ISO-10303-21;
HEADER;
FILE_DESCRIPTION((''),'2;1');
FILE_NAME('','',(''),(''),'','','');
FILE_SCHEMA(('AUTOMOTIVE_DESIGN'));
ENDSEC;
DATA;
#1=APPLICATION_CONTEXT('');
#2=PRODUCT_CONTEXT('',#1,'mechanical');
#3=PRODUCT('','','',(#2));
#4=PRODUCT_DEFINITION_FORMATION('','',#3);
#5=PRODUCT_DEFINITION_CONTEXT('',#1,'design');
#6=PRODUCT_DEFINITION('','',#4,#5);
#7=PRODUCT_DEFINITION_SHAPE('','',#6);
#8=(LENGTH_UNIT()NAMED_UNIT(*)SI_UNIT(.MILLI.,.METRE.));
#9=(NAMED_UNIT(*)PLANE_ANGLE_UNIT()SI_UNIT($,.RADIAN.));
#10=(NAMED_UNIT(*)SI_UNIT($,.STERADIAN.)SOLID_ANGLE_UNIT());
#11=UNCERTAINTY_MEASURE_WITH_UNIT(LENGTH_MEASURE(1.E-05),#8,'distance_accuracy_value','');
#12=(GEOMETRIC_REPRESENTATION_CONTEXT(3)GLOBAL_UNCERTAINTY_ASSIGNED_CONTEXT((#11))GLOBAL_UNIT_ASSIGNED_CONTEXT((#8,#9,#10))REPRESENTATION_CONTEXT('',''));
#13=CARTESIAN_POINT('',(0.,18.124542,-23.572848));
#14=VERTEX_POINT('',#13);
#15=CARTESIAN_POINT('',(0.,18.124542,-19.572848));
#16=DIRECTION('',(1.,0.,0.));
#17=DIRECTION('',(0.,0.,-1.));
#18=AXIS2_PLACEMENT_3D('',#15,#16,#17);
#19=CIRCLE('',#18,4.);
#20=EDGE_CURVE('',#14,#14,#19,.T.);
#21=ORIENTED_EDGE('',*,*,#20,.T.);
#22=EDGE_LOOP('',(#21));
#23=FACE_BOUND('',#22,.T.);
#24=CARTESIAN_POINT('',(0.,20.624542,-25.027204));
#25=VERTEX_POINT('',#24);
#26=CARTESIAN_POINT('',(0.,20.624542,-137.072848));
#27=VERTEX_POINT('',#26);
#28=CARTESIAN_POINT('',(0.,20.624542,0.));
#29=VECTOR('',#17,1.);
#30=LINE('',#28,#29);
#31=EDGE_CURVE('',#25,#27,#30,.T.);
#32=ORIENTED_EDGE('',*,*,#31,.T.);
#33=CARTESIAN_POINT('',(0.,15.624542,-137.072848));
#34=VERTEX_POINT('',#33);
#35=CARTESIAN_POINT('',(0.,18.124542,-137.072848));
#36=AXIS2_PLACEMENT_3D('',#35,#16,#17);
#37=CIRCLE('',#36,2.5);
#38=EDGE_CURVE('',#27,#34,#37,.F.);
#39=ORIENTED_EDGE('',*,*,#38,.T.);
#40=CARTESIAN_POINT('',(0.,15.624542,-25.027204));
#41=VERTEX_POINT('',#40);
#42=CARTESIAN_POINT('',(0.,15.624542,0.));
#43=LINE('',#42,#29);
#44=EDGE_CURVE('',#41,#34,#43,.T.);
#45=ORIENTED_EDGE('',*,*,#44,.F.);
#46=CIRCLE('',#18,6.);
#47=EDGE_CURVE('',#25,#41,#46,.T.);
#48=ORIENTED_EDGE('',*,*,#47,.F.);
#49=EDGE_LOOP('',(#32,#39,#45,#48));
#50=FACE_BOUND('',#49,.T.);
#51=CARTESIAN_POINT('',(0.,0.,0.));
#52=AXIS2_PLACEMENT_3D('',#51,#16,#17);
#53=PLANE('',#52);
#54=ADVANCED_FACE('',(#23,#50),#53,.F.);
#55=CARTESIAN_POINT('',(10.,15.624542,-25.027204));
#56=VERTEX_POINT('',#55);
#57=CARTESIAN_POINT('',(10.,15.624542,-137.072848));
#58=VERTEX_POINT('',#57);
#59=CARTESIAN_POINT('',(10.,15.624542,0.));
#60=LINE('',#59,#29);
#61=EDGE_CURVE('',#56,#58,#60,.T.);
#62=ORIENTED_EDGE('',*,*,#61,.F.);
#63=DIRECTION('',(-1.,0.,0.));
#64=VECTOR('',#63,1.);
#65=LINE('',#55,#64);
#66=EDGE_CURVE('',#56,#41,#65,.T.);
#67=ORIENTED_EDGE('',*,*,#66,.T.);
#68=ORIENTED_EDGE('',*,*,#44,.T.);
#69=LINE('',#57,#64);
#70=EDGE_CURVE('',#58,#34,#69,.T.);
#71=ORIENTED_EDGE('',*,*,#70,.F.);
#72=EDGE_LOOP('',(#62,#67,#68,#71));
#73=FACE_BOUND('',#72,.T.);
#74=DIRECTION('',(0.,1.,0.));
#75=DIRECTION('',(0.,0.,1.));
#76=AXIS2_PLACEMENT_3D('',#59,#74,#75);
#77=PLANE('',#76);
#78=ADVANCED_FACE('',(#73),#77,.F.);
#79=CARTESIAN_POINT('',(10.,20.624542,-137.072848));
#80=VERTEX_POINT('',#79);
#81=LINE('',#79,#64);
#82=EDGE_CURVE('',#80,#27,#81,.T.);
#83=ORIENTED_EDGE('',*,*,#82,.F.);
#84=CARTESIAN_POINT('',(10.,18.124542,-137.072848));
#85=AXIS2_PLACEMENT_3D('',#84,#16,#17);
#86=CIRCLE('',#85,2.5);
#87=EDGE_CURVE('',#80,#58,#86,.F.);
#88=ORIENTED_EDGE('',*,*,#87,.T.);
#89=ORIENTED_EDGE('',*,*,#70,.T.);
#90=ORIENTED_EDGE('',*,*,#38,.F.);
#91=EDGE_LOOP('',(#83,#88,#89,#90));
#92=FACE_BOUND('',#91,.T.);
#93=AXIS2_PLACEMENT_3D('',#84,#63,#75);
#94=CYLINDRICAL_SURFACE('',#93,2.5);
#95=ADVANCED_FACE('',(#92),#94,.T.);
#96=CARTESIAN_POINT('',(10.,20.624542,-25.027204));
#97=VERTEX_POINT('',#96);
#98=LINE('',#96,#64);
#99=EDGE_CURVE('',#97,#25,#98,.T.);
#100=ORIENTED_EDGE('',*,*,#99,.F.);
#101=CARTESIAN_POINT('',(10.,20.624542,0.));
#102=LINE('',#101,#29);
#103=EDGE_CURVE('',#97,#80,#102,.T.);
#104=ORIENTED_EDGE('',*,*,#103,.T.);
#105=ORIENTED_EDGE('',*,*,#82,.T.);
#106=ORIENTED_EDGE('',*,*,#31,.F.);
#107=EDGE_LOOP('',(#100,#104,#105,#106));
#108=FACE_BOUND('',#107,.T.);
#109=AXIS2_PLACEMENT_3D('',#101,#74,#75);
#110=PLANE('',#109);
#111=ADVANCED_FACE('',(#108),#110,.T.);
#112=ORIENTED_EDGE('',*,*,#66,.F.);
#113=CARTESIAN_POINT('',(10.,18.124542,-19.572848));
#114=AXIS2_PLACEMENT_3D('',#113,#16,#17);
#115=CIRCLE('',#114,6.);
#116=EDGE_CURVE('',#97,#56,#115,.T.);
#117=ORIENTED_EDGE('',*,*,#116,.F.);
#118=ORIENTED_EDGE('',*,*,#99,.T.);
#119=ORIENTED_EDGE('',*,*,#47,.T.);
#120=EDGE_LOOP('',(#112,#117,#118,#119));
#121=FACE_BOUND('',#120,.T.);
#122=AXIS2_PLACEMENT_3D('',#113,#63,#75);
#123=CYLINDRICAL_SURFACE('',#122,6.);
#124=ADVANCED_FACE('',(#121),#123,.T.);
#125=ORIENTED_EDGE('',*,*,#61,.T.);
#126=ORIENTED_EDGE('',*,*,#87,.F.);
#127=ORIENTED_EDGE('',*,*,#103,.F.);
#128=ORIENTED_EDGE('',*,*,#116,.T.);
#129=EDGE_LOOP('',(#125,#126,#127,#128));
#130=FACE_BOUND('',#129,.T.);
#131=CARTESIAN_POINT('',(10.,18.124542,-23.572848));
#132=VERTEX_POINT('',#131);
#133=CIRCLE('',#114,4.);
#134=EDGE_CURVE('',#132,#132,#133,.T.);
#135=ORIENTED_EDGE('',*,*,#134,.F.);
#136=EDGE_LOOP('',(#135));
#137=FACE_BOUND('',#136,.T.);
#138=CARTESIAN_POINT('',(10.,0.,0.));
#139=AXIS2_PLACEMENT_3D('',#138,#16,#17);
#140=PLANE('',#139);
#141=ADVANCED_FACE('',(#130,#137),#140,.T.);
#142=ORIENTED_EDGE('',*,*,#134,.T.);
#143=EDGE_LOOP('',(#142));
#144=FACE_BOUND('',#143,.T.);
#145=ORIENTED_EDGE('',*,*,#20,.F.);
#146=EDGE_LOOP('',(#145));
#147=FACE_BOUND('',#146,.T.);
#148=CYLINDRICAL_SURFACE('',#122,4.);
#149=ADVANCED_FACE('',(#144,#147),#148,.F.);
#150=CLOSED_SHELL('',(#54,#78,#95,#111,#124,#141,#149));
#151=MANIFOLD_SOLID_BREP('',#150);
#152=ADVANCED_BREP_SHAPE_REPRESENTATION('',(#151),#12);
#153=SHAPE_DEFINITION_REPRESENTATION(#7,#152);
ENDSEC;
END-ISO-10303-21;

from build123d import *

# Parameters (mm, degrees)
BOSS_EXTRUDE1_DEPTH = 10


with BuildPart() as part:
    # Sketch1 → Boss-Extrude1 (new body)
    with BuildSketch(Plane(origin=(0, 0, 0), x_dir=(0, 0, -1), z_dir=(1, 0, 0))):
        with BuildLine():
            ThreePointArc((22.695346806, 15.624541707), (15.572847807, 18.124541707), (22.695346806, 20.624541707))
            Line((22.695346806, 20.624541707), (25.027203864, 20.624541707))
            ThreePointArc((25.027203864, 20.624541707), (13.572847807, 18.124541707), (25.027203864, 15.624541707))
            Line((25.027203864, 15.624541707), (22.695346806, 15.624541707))
        make_face()
        with BuildLine():
            Line((25.027203864, 20.624541707), (22.695346806, 20.624541707))
            ThreePointArc((22.695346806, 20.624541707), (23.347102435, 19.449306592), (23.572847807, 18.124541707))
            ThreePointArc((23.572847807, 18.124541707), (23.347102435, 16.799776821), (22.695346806, 15.624541707))
            Line((22.695346806, 15.624541707), (25.027203864, 15.624541707))
            ThreePointArc((25.027203864, 15.624541707), (25.434849869, 16.84511534), (25.572847807, 18.124541707))
            ThreePointArc((25.572847807, 18.124541707), (25.434849869, 19.403968074), (25.027203864, 20.624541707))
        make_face()
        with BuildLine():
            Line((137.072847807, 20.624541707), (25.027203864, 20.624541707))
            ThreePointArc((25.027203864, 20.624541707), (25.434849869, 19.403968074), (25.572847807, 18.124541707))
            ThreePointArc((25.572847807, 18.124541707), (25.434849869, 16.84511534), (25.027203864, 15.624541707))
            Line((25.027203864, 15.624541707), (137.072847807, 15.624541707))
            Line((137.072847807, 15.624541707), (137.072847807, 20.624541707))
        make_face()
        with BuildLine():
            ThreePointArc((137.072847807, 20.624541707), (139.572847807, 18.124541707), (137.072847807, 15.624541707))
            Line((137.072847807, 15.624541707), (137.072847807, 20.624541707))
        make_face()
    extrude(amount=BOSS_EXTRUDE1_DEPTH)


solid = part.part
